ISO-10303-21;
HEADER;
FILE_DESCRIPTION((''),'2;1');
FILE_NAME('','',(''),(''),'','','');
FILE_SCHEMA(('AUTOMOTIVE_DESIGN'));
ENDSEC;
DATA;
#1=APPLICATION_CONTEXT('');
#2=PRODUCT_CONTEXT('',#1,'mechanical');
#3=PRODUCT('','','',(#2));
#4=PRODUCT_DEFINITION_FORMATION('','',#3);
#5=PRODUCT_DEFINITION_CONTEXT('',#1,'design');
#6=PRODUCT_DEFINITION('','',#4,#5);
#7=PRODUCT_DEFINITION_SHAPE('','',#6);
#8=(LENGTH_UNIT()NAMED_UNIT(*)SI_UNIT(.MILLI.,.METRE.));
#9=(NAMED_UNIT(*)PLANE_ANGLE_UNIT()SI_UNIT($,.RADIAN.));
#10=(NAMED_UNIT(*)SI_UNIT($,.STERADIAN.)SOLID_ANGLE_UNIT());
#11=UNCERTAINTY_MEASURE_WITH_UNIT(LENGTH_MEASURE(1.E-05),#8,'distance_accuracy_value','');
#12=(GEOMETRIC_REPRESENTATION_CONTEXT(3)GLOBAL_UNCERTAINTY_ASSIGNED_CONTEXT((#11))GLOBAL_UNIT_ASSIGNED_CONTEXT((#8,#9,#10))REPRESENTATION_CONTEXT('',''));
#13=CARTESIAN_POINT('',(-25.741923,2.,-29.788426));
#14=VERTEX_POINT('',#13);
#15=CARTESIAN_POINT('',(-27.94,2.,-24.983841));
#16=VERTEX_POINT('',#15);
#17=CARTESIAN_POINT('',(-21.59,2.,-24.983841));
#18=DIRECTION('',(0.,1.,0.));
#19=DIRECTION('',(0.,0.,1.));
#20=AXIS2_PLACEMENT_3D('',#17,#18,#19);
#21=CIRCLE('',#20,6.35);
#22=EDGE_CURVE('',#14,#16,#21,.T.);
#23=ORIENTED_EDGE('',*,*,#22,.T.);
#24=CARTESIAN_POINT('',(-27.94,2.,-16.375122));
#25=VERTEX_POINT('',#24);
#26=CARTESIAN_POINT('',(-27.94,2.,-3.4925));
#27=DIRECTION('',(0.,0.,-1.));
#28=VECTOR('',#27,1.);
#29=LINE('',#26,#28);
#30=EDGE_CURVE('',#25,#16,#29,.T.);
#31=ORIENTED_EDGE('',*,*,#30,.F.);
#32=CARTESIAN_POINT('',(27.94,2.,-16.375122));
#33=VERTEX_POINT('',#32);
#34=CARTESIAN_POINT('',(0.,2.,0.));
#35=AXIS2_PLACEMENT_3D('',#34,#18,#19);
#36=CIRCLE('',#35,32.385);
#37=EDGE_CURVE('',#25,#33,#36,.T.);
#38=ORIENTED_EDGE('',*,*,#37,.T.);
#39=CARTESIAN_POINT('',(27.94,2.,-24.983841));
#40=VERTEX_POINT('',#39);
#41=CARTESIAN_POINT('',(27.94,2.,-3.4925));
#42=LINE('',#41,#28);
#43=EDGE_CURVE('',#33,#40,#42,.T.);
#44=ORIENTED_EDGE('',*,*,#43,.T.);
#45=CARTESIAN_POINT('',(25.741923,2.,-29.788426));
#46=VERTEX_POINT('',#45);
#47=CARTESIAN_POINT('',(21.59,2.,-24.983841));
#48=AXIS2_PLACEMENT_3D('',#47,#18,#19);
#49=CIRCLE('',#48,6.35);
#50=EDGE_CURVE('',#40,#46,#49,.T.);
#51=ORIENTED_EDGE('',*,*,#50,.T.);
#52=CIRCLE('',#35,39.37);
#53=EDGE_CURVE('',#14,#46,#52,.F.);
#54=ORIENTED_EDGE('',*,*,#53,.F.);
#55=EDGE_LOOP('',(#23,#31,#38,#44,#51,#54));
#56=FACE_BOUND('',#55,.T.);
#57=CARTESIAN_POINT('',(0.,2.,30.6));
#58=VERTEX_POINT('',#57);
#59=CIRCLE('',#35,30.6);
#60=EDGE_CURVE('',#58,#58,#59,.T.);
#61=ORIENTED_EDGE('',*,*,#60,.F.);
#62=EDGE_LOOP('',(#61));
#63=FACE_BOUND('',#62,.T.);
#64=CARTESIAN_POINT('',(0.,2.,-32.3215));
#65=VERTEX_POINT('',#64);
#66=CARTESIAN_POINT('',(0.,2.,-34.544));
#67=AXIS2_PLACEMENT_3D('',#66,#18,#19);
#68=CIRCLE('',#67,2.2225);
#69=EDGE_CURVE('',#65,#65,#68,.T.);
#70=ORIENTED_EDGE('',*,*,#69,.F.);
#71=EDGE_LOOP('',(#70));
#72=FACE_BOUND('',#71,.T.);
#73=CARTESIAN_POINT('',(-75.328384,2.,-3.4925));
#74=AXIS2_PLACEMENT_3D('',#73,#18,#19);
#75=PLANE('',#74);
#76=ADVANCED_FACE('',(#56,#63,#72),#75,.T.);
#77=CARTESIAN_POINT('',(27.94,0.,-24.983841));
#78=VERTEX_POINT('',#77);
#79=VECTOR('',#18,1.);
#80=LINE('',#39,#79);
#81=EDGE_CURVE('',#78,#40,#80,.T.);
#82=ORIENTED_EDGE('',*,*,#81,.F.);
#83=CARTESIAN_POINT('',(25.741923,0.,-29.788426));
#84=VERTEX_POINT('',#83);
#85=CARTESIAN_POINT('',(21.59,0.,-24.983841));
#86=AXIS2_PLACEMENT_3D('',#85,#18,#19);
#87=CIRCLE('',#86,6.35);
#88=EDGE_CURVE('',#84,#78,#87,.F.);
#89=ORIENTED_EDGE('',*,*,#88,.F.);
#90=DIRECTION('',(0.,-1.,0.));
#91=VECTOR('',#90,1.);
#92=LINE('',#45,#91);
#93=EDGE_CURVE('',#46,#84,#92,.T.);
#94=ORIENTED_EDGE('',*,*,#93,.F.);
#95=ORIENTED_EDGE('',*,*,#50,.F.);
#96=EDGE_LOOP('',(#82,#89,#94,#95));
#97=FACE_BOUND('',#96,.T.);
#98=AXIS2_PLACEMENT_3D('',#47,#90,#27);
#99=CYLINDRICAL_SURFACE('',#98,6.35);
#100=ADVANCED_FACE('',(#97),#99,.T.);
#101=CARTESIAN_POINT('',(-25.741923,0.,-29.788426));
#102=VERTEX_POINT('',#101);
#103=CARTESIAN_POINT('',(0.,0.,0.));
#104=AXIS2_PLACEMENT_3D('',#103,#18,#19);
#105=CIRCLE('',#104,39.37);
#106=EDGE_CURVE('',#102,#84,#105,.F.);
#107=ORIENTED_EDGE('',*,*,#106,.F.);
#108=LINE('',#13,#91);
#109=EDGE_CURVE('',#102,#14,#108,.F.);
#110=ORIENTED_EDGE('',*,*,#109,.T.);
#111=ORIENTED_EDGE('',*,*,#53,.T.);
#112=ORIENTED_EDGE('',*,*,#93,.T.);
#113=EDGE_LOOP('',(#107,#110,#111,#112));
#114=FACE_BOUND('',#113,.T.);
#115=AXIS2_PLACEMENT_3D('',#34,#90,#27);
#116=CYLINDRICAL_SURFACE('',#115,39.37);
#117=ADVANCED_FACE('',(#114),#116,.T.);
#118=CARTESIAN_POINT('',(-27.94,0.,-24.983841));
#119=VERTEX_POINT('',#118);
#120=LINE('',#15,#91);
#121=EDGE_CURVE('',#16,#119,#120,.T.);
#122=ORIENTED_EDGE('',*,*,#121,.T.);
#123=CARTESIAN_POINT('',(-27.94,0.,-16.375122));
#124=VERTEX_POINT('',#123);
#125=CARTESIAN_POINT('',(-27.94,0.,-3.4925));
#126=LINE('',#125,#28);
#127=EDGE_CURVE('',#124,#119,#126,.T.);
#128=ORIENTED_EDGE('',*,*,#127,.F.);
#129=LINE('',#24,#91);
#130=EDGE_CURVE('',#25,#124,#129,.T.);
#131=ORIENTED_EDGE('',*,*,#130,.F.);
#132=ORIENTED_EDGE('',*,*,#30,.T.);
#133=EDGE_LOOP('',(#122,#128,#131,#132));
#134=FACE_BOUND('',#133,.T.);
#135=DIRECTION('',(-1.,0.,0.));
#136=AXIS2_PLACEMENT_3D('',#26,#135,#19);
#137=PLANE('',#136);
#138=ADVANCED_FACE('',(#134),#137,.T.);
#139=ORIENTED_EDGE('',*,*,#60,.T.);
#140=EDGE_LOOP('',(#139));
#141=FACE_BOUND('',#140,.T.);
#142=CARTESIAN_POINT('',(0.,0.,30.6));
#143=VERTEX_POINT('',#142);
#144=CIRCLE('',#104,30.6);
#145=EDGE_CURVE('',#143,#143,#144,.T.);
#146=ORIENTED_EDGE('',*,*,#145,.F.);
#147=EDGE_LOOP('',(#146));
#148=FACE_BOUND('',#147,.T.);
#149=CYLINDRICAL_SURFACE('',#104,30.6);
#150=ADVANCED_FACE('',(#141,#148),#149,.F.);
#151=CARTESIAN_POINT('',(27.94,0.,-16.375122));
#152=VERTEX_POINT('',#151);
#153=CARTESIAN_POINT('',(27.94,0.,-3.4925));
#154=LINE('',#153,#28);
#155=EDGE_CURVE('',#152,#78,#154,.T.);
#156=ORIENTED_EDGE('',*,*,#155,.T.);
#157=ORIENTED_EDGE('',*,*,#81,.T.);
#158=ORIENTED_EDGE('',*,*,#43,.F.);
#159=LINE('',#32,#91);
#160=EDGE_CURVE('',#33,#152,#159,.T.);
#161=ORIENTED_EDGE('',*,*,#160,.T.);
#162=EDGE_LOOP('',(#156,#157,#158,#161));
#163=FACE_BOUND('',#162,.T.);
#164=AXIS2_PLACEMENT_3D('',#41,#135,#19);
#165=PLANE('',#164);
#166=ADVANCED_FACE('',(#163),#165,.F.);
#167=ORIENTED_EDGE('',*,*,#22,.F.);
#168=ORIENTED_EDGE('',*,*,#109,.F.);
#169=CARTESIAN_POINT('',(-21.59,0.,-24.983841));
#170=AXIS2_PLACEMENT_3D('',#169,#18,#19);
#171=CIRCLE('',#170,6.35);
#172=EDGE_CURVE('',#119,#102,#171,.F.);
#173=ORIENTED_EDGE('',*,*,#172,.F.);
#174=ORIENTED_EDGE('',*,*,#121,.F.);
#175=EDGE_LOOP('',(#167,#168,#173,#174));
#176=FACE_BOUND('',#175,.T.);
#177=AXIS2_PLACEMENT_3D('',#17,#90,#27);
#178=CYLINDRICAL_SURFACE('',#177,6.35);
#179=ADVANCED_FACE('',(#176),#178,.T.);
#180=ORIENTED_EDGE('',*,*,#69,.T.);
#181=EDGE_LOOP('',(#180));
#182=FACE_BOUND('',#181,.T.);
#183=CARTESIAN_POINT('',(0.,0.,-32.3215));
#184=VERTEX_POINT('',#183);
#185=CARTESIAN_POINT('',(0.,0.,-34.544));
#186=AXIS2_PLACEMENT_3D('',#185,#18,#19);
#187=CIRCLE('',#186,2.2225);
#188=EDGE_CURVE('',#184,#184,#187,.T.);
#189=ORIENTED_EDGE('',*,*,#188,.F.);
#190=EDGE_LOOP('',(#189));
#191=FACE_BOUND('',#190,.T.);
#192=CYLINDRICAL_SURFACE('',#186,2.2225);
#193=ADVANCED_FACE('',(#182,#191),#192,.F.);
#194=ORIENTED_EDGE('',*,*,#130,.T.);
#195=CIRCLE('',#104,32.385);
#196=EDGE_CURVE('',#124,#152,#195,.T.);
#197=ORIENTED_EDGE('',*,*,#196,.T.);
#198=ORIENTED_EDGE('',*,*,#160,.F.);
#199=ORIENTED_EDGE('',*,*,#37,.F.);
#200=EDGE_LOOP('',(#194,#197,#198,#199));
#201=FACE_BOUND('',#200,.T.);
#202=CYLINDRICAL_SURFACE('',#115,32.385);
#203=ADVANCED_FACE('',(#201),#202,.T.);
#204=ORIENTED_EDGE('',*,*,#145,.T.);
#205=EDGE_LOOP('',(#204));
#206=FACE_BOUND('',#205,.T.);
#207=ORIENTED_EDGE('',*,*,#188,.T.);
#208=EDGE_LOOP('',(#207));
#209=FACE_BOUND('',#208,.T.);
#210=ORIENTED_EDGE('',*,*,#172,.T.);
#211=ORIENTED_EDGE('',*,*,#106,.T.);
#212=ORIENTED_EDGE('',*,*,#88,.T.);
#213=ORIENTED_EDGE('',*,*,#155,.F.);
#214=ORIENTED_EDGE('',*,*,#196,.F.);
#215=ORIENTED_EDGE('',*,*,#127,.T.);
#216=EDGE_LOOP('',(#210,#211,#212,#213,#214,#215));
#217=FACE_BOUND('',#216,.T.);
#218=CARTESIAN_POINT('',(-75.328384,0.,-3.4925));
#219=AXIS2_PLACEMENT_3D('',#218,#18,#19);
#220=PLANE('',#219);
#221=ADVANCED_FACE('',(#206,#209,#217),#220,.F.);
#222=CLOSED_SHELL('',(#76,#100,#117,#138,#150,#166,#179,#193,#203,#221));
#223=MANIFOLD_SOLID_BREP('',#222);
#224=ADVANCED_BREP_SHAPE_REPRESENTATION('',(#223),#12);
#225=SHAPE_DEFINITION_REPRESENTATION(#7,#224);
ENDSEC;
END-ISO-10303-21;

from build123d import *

# Parameters (mm, degrees)
SKETCH1_R           = 32.385
BOSS_EXTRUDE1_DEPTH = 2
FILLET1_R           = 6.35
SKETCH2_R           = 2.2225
CUT_EXTRUDE1_DEPTH  = 52.017498224
SKETCH3_R           = 30.6
CUT_EXTRUDE2_DEPTH  = 52.017498224


with BuildPart() as part:
    # Sketch1 → Boss-Extrude1 (new body)
    with BuildSketch(Plane(origin=(0, 0, 0), x_dir=(1, 0, 0), z_dir=(0, 1, 0))):
        Circle(SKETCH1_R)
        with BuildLine():
            Line((-27.94, 27.737218678), (-27.94, 16.375122137))
            ThreePointArc((-27.94, 16.375122137), (0, 32.385), (27.94, 16.375122137))
            Line((27.94, 16.375122137), (27.94, 27.737218678))
            ThreePointArc((27.94, 27.737218678), (0, 39.37), (-27.94, 27.737218678))
        make_face()
    extrude(amount=BOSS_EXTRUDE1_DEPTH)

    # Fillet1
    fillet1_edges = [part.edges().sort_by_distance(p)[0] for p in [
        (-27.94, 1, -27.737218678),
        (27.94, 1, -27.737218678),
    ]]
    fillet(fillet1_edges, radius=FILLET1_R)

    # Sketch2 → Cut-Extrude1 (cut, through all)
    with BuildSketch(Plane(origin=(0, 2, 0), x_dir=(1, 0, 0), z_dir=(0, 1, 0))):
        with Locations(Location((0, 34.544, 0), (0, 0, 270))):
            Circle(SKETCH2_R)
    extrude(amount=-CUT_EXTRUDE1_DEPTH, mode=Mode.SUBTRACT)

    # Sketch3 → Cut-Extrude2 (cut, through all)
    with BuildSketch(Plane(origin=(0, 2, 0), x_dir=(1, 0, 0), z_dir=(0, 1, 0))):
        with Locations(Location((0, 0, 0), (0, 0, 270))):
            Circle(SKETCH3_R)
    extrude(amount=-CUT_EXTRUDE2_DEPTH, mode=Mode.SUBTRACT)


solid = part.part
